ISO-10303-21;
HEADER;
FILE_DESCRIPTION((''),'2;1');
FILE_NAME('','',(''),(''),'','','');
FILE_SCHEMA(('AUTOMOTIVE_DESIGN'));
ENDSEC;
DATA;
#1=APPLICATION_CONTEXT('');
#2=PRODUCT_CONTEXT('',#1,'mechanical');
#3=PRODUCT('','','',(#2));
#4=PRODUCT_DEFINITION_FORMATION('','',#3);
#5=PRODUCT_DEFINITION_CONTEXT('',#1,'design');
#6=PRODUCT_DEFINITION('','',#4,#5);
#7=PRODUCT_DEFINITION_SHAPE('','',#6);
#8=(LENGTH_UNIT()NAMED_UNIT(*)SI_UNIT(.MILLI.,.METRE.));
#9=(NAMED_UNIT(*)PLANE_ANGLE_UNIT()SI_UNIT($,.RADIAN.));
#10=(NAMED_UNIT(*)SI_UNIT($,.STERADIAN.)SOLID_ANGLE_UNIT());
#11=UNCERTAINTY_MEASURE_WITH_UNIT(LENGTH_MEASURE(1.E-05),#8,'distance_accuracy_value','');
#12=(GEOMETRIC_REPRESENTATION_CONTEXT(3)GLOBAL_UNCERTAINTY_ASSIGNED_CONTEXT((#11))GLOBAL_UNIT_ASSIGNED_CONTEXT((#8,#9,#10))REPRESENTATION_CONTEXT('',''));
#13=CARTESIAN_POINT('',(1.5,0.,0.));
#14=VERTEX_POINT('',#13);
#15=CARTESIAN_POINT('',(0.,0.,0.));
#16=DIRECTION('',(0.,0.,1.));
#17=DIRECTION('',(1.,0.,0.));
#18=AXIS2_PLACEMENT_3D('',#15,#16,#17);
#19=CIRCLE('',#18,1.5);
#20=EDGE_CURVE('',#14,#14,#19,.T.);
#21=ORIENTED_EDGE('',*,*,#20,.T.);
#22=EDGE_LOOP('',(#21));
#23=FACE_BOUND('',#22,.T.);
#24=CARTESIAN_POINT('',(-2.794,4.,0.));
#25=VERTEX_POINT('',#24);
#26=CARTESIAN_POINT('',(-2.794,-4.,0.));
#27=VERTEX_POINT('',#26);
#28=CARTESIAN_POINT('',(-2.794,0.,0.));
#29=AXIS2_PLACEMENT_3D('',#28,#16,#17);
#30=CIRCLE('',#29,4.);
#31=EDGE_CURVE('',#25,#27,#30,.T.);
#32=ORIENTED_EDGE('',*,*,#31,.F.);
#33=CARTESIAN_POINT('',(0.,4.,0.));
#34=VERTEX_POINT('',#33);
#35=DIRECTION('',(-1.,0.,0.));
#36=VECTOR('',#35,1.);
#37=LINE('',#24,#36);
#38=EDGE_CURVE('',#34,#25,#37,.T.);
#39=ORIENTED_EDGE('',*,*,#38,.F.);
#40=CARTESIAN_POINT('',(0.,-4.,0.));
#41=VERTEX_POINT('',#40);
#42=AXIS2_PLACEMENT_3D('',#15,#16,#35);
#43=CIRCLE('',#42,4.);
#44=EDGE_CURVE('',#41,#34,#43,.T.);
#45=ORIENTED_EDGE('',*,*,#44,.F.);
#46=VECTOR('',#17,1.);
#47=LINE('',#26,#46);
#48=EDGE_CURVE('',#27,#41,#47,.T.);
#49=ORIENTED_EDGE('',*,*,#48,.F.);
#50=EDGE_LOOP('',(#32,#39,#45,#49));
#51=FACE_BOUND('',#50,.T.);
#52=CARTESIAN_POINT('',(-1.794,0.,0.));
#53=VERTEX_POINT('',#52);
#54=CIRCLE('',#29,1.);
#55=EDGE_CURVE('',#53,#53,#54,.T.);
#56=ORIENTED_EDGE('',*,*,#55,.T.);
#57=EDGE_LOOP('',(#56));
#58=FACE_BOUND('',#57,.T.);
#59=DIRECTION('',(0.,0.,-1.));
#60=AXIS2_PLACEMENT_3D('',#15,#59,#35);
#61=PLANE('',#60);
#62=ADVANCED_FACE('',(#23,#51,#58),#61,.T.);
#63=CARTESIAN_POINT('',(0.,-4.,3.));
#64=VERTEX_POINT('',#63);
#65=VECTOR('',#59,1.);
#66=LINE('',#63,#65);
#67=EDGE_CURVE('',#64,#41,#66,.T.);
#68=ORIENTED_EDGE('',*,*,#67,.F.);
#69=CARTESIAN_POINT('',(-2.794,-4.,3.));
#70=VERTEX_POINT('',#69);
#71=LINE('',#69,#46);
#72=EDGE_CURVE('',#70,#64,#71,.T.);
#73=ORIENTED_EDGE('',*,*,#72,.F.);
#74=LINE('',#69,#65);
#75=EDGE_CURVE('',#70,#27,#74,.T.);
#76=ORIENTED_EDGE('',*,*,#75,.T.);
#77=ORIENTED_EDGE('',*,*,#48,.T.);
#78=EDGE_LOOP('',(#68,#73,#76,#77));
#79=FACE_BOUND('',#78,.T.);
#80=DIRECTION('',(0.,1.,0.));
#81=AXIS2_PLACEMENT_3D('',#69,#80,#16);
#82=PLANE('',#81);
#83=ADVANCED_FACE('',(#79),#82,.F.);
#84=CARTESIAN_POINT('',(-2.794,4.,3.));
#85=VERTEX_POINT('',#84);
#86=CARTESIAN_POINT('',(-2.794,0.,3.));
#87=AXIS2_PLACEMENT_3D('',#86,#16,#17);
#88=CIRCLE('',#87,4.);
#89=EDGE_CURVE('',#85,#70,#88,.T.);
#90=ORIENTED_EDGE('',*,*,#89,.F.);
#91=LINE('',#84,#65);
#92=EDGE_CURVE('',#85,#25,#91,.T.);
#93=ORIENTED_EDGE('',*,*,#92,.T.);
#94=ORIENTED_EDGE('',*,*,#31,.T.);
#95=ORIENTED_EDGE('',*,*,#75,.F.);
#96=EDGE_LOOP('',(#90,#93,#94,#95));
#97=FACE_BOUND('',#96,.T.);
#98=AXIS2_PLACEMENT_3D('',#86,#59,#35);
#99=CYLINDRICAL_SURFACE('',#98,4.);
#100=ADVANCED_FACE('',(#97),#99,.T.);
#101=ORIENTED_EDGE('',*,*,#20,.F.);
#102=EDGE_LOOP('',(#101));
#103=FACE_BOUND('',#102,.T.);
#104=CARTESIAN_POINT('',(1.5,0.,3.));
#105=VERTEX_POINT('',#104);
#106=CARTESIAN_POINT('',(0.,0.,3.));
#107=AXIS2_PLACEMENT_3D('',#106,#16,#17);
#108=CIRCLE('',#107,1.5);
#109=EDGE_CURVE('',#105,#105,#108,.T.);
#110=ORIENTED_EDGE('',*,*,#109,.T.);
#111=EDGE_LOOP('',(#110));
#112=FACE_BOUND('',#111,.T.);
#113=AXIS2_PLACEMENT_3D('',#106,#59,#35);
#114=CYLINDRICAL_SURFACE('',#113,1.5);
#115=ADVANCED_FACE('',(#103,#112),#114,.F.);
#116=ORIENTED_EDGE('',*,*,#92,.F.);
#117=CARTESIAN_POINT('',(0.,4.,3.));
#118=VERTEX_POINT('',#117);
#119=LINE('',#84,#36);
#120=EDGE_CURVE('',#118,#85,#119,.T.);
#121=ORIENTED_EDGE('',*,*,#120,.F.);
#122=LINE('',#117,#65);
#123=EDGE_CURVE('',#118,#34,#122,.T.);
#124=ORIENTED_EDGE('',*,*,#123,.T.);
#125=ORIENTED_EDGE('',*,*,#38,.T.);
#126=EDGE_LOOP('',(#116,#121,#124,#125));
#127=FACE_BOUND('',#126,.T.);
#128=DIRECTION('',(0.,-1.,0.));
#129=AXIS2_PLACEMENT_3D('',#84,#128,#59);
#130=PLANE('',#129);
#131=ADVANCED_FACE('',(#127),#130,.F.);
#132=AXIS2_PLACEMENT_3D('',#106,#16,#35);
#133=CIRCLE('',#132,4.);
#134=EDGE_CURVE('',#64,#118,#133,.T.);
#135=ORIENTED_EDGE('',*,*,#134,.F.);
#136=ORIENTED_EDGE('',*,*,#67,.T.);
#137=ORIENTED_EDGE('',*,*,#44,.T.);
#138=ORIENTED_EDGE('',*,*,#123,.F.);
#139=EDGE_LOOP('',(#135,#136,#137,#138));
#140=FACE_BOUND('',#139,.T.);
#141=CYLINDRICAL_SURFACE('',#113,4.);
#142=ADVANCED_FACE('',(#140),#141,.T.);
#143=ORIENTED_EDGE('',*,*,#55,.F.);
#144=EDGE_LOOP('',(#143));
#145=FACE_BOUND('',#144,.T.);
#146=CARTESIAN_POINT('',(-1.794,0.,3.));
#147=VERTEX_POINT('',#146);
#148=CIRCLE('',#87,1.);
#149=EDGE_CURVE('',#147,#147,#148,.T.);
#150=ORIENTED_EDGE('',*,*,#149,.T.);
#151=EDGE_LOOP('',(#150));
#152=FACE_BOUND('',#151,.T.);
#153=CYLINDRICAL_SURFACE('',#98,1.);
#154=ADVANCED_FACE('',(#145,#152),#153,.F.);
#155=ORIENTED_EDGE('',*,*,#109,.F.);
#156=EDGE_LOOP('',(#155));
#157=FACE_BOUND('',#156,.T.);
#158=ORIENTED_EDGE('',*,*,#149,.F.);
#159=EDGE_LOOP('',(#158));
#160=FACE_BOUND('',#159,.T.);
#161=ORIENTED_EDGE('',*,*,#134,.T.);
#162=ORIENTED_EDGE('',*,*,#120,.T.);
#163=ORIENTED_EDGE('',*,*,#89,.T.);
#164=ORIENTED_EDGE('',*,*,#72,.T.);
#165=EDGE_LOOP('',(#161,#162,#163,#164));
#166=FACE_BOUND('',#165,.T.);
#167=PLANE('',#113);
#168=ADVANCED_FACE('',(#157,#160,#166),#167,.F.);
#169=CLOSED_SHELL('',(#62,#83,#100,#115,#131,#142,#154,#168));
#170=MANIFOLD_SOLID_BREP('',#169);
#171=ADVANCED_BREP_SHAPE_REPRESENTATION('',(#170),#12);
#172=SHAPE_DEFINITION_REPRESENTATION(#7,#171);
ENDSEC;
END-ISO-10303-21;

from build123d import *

# Parameters (mm, degrees)
SKETCH_1_R      = 1
SKETCH_1_R_2    = 1.5
EXTRUDE_1_DEPTH = 3


with BuildPart() as part:
    # 스케치1 → 보스-돌출1 (new body)
    with BuildSketch(Plane.XY):
        with BuildLine():
            Line((-2.794, 4), (0, 4))
            ThreePointArc((0, 4), (4, 0), (0, -4))
            Line((0, -4), (-2.794, -4))
            ThreePointArc((-2.794, -4), (-6.794, 0), (-2.794, 4))
        make_face()
        with Locations((-2.794, 0)):
            Circle(SKETCH_1_R, mode=Mode.SUBTRACT)
        Circle(SKETCH_1_R_2, mode=Mode.SUBTRACT)
    extrude(amount=EXTRUDE_1_DEPTH)


solid = part.part
